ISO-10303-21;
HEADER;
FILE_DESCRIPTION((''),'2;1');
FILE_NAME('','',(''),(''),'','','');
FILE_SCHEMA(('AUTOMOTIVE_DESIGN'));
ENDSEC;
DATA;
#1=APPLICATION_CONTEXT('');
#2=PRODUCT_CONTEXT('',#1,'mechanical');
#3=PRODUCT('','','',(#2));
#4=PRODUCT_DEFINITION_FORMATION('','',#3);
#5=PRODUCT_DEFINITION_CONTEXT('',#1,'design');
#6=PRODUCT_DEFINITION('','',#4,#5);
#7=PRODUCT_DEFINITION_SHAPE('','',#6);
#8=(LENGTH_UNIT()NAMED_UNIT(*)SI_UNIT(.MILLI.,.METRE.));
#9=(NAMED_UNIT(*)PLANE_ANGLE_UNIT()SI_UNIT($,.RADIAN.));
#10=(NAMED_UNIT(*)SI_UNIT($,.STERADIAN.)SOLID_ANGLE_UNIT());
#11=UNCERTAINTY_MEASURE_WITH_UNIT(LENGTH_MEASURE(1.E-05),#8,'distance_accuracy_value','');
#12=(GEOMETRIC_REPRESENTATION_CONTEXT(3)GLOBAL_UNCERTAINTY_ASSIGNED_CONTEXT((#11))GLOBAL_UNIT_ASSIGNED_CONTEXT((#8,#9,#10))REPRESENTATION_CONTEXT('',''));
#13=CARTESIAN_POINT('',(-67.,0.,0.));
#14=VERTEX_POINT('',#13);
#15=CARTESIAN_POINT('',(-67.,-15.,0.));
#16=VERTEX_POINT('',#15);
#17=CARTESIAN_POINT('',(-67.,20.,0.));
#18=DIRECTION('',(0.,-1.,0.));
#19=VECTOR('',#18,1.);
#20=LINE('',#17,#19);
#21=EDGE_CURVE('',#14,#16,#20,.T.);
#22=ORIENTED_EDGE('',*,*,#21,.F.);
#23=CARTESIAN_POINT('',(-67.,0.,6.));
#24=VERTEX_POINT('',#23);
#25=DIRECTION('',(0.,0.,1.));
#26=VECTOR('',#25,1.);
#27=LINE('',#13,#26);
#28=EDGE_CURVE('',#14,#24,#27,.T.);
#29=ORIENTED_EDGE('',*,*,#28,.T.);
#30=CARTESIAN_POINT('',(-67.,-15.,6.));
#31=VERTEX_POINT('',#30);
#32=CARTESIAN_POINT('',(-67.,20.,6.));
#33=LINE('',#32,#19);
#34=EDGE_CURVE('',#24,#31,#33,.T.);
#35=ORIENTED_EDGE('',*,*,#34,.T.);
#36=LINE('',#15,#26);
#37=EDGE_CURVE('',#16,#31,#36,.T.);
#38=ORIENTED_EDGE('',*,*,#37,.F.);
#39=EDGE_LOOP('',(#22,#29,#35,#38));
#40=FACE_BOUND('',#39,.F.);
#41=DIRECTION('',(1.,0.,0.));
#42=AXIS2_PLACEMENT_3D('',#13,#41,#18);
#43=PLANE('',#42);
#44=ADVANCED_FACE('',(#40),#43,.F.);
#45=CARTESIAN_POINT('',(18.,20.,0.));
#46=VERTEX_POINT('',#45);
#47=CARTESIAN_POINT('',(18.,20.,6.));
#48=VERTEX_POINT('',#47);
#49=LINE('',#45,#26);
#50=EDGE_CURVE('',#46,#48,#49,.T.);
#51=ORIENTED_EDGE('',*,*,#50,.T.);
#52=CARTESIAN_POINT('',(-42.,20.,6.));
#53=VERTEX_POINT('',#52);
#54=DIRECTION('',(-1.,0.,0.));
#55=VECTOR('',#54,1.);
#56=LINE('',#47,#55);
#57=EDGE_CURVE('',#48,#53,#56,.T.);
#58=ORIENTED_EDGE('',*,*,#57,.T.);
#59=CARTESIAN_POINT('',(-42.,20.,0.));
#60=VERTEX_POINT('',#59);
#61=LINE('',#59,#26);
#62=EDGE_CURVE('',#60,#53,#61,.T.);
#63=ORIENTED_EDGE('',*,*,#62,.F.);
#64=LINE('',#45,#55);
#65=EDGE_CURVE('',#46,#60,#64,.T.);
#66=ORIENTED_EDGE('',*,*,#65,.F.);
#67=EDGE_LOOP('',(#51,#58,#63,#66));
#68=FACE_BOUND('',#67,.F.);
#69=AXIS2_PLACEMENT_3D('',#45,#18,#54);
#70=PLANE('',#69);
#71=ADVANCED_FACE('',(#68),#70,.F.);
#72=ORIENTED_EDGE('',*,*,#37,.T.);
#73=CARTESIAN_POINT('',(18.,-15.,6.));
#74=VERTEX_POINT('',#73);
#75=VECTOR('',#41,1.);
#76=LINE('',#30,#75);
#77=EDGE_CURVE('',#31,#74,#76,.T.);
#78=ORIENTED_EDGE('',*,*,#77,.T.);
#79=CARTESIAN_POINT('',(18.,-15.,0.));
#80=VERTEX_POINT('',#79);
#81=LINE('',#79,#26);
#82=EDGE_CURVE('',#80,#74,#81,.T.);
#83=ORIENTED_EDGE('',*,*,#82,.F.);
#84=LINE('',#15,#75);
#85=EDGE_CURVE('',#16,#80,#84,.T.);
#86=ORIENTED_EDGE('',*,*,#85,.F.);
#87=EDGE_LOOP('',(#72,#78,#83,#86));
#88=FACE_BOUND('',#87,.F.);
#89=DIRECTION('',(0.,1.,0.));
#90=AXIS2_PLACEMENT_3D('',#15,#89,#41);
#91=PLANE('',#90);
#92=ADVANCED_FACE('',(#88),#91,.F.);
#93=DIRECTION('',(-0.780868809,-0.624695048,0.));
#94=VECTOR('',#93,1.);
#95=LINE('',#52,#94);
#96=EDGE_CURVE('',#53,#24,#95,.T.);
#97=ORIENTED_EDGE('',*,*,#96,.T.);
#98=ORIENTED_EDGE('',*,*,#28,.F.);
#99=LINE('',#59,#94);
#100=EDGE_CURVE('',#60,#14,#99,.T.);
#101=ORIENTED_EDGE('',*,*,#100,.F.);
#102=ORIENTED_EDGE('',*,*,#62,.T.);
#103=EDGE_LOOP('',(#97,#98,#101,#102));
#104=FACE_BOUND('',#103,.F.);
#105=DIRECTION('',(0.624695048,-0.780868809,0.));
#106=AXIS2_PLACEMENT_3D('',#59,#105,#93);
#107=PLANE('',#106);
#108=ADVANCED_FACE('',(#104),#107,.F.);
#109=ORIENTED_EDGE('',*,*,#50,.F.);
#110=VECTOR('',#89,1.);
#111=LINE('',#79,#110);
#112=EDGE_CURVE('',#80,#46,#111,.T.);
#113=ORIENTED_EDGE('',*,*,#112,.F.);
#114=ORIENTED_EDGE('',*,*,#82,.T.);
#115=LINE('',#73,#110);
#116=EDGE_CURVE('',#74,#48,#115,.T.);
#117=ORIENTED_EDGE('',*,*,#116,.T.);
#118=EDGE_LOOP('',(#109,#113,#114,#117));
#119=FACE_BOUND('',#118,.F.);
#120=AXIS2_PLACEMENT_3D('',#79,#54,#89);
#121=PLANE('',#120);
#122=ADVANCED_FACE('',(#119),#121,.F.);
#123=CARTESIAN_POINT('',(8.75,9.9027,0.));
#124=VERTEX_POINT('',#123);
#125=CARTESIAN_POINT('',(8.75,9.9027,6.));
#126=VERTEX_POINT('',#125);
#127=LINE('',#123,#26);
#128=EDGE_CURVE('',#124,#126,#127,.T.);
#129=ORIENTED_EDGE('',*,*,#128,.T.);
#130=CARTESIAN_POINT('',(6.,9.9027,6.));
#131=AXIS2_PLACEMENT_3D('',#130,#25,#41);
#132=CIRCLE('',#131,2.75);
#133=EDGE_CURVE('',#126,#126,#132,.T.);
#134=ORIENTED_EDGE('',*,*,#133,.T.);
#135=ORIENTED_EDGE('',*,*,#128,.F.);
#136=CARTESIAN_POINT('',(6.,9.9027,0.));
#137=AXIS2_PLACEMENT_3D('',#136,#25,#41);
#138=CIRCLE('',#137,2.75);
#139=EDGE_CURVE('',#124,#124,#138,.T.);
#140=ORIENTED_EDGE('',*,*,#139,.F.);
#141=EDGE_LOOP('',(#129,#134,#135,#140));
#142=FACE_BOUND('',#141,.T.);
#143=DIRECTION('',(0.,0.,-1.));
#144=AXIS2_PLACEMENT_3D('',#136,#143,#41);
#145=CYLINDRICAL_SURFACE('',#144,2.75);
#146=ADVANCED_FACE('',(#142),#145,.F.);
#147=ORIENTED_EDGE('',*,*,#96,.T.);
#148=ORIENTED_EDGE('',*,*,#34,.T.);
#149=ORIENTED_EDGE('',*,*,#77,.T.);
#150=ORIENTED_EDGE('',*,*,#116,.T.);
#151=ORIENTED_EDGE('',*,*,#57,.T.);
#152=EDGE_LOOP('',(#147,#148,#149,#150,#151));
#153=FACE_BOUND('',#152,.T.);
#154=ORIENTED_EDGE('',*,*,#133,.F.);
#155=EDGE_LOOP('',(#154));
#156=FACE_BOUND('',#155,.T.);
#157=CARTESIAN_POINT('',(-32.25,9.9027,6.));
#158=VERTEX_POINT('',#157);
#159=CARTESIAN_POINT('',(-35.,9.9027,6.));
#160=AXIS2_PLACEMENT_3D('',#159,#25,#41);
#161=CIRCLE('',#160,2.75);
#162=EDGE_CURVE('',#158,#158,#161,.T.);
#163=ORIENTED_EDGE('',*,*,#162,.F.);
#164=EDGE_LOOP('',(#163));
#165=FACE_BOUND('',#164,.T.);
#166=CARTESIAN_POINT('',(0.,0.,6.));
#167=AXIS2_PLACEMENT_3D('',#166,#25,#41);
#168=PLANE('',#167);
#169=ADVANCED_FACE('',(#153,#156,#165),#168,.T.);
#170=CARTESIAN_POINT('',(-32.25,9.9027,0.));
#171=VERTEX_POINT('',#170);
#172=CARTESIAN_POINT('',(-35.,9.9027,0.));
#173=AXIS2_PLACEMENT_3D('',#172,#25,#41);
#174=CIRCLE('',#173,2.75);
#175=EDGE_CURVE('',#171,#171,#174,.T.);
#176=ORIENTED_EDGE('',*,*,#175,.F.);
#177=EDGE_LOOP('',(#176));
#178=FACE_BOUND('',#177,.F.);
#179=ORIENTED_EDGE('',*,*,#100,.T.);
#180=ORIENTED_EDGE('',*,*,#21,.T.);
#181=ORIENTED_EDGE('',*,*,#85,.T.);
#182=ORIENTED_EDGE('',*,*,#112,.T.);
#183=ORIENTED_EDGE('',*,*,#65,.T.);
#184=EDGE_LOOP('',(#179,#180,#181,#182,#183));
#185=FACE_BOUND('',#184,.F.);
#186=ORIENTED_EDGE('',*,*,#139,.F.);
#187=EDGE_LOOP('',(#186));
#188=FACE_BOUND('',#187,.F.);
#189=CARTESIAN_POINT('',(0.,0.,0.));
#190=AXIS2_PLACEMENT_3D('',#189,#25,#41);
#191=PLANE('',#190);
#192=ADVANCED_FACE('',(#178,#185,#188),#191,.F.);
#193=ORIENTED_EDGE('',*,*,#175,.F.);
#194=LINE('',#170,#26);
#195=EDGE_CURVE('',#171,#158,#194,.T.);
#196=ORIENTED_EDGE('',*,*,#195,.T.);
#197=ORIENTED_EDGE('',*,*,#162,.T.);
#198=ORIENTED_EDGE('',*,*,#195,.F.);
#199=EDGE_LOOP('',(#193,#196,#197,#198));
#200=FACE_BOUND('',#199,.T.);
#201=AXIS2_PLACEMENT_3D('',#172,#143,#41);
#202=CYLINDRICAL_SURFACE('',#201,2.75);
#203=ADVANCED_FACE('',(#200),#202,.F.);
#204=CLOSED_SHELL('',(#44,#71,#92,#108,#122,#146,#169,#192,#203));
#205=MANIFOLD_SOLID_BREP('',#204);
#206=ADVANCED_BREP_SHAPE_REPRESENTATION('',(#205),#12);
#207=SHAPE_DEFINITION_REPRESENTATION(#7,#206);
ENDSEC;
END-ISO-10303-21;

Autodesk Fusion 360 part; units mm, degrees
sketch "Z Endswitch plate" plane through (0, 0, 0) normal (0, 0, 1) x (1, 0, 0)
  line L0 (18, -15) -> (18, 20)
  circle A0 centre (6, 9.9027) radius 2.75
  line L1 (-67, 20) -> (-67, -15)
  line L2 (-67, -15) -> (18, -15)
  line L3 (-42, 20) -> (-67, 0)
  circle A1 centre (-35, 9.9027) radius 2.75
  line L4 (18, 20) -> (-67, 20)
  line L5 (18, 9.9027) -> (-67, 9.9027) construction
  dimension "d2" = 85
  dimension "d3" = 5.5
  dimension "d4" = 5.5
  dimension "d7" = 25
  dimension "d8" = 20
  dimension "d9" = 15
  dimension "d10" = 18
  dimension "d11" = 6
  dimension "d12" = 35
extrude "Extrude1" add sketch "Z Endswitch plate" along normal blind 6 contours L0 L1 L2 L3 L4
